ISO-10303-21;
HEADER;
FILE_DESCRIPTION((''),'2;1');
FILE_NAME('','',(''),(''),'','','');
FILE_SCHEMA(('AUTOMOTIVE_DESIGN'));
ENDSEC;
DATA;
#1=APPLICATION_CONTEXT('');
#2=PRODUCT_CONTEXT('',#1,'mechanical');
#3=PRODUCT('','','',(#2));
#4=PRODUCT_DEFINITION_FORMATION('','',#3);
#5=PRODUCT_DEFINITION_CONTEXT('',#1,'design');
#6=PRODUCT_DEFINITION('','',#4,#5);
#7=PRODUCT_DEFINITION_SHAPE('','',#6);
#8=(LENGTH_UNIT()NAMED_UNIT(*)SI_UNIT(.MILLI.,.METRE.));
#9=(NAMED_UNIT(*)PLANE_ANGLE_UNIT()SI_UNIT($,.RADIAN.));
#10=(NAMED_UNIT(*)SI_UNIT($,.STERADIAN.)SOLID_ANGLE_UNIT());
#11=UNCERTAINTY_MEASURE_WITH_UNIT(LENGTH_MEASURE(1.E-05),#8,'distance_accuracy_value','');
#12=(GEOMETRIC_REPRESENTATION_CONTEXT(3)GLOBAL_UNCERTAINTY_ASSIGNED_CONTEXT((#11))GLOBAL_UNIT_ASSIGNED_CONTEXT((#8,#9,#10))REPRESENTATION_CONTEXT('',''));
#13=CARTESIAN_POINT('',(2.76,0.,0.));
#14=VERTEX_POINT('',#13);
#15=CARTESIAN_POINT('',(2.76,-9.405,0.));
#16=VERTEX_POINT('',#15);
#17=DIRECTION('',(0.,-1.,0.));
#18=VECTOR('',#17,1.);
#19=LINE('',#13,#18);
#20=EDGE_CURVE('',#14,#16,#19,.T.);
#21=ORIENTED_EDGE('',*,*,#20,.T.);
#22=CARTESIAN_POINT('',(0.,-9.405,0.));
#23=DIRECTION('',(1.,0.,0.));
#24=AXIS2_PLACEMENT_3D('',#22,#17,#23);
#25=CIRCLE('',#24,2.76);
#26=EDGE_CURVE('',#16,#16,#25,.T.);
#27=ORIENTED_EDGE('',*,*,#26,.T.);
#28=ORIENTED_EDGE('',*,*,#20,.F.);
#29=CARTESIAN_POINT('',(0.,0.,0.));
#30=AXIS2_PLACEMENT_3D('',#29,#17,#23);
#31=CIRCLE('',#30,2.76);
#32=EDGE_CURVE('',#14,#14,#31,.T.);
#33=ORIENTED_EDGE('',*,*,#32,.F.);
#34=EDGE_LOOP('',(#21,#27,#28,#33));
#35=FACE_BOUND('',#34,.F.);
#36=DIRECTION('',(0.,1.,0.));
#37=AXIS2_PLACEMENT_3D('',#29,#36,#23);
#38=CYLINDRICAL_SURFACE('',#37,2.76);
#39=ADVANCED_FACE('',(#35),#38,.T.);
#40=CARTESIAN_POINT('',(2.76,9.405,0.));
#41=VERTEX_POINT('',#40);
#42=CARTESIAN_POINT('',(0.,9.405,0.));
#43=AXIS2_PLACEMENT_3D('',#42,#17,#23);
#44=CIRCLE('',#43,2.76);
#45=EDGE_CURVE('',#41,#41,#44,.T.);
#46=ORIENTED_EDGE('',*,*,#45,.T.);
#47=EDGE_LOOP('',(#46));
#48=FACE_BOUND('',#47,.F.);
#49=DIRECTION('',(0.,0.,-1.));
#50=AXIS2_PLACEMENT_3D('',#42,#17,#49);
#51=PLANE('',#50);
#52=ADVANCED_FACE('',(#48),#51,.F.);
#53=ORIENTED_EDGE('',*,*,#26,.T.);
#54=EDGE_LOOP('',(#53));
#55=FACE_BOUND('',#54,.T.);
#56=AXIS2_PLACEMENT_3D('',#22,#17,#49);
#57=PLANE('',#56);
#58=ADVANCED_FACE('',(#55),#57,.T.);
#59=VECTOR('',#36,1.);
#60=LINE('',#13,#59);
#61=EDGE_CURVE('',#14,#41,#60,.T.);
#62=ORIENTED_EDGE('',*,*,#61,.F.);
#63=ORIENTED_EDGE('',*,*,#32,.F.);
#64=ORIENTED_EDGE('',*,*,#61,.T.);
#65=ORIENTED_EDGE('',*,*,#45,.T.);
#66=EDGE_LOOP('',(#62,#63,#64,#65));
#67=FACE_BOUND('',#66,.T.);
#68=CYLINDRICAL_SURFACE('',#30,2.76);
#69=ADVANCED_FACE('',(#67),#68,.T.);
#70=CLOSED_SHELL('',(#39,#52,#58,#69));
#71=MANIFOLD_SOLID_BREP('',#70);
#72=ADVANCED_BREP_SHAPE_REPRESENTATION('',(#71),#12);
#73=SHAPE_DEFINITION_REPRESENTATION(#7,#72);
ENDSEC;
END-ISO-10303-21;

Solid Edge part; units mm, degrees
sketch "Sketch1" plane through (0, 0, 0) normal (0, -1, 0) x (1, 0, 0)
  circle A0 centre (0, 0) radius 2.76
  dimension "D1" = 5.52
extrude "Ajout_matière_1" add sketch "Sketch1" along normal mid plane 18.81
properties material "Acier inoxydable"
